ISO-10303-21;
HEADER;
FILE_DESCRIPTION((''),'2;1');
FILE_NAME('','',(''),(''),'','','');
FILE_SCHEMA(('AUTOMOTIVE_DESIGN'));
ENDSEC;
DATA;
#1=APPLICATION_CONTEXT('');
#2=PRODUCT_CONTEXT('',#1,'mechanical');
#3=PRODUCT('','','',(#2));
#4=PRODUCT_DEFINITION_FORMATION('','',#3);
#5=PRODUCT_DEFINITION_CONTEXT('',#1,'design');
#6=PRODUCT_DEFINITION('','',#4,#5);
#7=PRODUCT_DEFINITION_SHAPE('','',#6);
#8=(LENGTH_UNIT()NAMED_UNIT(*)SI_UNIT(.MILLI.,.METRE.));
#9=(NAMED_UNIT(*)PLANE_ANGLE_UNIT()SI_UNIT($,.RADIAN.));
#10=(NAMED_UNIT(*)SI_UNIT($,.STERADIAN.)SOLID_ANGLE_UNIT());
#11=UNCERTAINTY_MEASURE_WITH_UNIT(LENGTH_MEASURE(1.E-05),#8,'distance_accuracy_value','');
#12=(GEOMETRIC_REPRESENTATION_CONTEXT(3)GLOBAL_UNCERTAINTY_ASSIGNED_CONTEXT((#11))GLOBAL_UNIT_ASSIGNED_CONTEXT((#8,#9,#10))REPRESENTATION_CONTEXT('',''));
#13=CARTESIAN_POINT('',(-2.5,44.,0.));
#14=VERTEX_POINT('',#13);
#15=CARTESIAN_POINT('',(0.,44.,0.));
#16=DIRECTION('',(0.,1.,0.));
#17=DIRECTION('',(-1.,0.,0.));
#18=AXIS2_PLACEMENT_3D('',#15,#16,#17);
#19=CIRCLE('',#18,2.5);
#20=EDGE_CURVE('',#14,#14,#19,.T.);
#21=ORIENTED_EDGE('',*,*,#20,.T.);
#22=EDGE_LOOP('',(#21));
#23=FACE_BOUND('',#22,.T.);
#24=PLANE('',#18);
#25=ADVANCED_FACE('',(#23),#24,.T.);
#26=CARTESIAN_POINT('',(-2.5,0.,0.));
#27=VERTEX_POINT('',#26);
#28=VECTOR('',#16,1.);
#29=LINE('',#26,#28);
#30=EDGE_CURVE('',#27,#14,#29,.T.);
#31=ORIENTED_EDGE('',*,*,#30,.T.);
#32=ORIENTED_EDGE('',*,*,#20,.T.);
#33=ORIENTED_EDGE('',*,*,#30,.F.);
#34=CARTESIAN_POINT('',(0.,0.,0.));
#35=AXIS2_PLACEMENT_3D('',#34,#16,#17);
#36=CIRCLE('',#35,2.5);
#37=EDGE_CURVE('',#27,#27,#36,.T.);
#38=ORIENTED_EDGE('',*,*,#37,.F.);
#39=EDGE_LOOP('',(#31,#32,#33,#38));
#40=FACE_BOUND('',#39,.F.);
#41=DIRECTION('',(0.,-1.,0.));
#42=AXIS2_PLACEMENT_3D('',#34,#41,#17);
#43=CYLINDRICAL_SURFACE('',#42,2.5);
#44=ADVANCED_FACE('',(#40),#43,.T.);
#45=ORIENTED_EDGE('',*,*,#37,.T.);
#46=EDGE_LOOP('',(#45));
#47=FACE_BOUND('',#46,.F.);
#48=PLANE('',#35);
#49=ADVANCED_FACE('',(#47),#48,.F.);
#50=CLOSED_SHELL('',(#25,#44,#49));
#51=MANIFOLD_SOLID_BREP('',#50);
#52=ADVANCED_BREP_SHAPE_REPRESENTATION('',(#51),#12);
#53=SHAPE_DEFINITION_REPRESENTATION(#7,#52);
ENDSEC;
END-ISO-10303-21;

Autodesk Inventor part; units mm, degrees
ref_plane "YZ Plane" through (0, 0, 0) normal (1, 0, 0) x (0, 1, 0)
ref_plane "XZ Plane" through (0, 0, 0) normal (0, 1, 0) x (-1, 0, 0)
ref_plane "XY Plane" through (0, 0, 0) normal (0, 0, 1) x (1, 0, 0)
sketch "Szkic1" plane through (0, 0, 0) normal (0, 1, 0) x (-1, 0, 0)
  circle A0 centre (0, 0) radius 2.5
  dimension "d0" = 5
extrude "Wyciągnięcie proste1" add sketch "Szkic1" along normal blind 44
properties part number "kołek" material "Stal miękka, spawana"
